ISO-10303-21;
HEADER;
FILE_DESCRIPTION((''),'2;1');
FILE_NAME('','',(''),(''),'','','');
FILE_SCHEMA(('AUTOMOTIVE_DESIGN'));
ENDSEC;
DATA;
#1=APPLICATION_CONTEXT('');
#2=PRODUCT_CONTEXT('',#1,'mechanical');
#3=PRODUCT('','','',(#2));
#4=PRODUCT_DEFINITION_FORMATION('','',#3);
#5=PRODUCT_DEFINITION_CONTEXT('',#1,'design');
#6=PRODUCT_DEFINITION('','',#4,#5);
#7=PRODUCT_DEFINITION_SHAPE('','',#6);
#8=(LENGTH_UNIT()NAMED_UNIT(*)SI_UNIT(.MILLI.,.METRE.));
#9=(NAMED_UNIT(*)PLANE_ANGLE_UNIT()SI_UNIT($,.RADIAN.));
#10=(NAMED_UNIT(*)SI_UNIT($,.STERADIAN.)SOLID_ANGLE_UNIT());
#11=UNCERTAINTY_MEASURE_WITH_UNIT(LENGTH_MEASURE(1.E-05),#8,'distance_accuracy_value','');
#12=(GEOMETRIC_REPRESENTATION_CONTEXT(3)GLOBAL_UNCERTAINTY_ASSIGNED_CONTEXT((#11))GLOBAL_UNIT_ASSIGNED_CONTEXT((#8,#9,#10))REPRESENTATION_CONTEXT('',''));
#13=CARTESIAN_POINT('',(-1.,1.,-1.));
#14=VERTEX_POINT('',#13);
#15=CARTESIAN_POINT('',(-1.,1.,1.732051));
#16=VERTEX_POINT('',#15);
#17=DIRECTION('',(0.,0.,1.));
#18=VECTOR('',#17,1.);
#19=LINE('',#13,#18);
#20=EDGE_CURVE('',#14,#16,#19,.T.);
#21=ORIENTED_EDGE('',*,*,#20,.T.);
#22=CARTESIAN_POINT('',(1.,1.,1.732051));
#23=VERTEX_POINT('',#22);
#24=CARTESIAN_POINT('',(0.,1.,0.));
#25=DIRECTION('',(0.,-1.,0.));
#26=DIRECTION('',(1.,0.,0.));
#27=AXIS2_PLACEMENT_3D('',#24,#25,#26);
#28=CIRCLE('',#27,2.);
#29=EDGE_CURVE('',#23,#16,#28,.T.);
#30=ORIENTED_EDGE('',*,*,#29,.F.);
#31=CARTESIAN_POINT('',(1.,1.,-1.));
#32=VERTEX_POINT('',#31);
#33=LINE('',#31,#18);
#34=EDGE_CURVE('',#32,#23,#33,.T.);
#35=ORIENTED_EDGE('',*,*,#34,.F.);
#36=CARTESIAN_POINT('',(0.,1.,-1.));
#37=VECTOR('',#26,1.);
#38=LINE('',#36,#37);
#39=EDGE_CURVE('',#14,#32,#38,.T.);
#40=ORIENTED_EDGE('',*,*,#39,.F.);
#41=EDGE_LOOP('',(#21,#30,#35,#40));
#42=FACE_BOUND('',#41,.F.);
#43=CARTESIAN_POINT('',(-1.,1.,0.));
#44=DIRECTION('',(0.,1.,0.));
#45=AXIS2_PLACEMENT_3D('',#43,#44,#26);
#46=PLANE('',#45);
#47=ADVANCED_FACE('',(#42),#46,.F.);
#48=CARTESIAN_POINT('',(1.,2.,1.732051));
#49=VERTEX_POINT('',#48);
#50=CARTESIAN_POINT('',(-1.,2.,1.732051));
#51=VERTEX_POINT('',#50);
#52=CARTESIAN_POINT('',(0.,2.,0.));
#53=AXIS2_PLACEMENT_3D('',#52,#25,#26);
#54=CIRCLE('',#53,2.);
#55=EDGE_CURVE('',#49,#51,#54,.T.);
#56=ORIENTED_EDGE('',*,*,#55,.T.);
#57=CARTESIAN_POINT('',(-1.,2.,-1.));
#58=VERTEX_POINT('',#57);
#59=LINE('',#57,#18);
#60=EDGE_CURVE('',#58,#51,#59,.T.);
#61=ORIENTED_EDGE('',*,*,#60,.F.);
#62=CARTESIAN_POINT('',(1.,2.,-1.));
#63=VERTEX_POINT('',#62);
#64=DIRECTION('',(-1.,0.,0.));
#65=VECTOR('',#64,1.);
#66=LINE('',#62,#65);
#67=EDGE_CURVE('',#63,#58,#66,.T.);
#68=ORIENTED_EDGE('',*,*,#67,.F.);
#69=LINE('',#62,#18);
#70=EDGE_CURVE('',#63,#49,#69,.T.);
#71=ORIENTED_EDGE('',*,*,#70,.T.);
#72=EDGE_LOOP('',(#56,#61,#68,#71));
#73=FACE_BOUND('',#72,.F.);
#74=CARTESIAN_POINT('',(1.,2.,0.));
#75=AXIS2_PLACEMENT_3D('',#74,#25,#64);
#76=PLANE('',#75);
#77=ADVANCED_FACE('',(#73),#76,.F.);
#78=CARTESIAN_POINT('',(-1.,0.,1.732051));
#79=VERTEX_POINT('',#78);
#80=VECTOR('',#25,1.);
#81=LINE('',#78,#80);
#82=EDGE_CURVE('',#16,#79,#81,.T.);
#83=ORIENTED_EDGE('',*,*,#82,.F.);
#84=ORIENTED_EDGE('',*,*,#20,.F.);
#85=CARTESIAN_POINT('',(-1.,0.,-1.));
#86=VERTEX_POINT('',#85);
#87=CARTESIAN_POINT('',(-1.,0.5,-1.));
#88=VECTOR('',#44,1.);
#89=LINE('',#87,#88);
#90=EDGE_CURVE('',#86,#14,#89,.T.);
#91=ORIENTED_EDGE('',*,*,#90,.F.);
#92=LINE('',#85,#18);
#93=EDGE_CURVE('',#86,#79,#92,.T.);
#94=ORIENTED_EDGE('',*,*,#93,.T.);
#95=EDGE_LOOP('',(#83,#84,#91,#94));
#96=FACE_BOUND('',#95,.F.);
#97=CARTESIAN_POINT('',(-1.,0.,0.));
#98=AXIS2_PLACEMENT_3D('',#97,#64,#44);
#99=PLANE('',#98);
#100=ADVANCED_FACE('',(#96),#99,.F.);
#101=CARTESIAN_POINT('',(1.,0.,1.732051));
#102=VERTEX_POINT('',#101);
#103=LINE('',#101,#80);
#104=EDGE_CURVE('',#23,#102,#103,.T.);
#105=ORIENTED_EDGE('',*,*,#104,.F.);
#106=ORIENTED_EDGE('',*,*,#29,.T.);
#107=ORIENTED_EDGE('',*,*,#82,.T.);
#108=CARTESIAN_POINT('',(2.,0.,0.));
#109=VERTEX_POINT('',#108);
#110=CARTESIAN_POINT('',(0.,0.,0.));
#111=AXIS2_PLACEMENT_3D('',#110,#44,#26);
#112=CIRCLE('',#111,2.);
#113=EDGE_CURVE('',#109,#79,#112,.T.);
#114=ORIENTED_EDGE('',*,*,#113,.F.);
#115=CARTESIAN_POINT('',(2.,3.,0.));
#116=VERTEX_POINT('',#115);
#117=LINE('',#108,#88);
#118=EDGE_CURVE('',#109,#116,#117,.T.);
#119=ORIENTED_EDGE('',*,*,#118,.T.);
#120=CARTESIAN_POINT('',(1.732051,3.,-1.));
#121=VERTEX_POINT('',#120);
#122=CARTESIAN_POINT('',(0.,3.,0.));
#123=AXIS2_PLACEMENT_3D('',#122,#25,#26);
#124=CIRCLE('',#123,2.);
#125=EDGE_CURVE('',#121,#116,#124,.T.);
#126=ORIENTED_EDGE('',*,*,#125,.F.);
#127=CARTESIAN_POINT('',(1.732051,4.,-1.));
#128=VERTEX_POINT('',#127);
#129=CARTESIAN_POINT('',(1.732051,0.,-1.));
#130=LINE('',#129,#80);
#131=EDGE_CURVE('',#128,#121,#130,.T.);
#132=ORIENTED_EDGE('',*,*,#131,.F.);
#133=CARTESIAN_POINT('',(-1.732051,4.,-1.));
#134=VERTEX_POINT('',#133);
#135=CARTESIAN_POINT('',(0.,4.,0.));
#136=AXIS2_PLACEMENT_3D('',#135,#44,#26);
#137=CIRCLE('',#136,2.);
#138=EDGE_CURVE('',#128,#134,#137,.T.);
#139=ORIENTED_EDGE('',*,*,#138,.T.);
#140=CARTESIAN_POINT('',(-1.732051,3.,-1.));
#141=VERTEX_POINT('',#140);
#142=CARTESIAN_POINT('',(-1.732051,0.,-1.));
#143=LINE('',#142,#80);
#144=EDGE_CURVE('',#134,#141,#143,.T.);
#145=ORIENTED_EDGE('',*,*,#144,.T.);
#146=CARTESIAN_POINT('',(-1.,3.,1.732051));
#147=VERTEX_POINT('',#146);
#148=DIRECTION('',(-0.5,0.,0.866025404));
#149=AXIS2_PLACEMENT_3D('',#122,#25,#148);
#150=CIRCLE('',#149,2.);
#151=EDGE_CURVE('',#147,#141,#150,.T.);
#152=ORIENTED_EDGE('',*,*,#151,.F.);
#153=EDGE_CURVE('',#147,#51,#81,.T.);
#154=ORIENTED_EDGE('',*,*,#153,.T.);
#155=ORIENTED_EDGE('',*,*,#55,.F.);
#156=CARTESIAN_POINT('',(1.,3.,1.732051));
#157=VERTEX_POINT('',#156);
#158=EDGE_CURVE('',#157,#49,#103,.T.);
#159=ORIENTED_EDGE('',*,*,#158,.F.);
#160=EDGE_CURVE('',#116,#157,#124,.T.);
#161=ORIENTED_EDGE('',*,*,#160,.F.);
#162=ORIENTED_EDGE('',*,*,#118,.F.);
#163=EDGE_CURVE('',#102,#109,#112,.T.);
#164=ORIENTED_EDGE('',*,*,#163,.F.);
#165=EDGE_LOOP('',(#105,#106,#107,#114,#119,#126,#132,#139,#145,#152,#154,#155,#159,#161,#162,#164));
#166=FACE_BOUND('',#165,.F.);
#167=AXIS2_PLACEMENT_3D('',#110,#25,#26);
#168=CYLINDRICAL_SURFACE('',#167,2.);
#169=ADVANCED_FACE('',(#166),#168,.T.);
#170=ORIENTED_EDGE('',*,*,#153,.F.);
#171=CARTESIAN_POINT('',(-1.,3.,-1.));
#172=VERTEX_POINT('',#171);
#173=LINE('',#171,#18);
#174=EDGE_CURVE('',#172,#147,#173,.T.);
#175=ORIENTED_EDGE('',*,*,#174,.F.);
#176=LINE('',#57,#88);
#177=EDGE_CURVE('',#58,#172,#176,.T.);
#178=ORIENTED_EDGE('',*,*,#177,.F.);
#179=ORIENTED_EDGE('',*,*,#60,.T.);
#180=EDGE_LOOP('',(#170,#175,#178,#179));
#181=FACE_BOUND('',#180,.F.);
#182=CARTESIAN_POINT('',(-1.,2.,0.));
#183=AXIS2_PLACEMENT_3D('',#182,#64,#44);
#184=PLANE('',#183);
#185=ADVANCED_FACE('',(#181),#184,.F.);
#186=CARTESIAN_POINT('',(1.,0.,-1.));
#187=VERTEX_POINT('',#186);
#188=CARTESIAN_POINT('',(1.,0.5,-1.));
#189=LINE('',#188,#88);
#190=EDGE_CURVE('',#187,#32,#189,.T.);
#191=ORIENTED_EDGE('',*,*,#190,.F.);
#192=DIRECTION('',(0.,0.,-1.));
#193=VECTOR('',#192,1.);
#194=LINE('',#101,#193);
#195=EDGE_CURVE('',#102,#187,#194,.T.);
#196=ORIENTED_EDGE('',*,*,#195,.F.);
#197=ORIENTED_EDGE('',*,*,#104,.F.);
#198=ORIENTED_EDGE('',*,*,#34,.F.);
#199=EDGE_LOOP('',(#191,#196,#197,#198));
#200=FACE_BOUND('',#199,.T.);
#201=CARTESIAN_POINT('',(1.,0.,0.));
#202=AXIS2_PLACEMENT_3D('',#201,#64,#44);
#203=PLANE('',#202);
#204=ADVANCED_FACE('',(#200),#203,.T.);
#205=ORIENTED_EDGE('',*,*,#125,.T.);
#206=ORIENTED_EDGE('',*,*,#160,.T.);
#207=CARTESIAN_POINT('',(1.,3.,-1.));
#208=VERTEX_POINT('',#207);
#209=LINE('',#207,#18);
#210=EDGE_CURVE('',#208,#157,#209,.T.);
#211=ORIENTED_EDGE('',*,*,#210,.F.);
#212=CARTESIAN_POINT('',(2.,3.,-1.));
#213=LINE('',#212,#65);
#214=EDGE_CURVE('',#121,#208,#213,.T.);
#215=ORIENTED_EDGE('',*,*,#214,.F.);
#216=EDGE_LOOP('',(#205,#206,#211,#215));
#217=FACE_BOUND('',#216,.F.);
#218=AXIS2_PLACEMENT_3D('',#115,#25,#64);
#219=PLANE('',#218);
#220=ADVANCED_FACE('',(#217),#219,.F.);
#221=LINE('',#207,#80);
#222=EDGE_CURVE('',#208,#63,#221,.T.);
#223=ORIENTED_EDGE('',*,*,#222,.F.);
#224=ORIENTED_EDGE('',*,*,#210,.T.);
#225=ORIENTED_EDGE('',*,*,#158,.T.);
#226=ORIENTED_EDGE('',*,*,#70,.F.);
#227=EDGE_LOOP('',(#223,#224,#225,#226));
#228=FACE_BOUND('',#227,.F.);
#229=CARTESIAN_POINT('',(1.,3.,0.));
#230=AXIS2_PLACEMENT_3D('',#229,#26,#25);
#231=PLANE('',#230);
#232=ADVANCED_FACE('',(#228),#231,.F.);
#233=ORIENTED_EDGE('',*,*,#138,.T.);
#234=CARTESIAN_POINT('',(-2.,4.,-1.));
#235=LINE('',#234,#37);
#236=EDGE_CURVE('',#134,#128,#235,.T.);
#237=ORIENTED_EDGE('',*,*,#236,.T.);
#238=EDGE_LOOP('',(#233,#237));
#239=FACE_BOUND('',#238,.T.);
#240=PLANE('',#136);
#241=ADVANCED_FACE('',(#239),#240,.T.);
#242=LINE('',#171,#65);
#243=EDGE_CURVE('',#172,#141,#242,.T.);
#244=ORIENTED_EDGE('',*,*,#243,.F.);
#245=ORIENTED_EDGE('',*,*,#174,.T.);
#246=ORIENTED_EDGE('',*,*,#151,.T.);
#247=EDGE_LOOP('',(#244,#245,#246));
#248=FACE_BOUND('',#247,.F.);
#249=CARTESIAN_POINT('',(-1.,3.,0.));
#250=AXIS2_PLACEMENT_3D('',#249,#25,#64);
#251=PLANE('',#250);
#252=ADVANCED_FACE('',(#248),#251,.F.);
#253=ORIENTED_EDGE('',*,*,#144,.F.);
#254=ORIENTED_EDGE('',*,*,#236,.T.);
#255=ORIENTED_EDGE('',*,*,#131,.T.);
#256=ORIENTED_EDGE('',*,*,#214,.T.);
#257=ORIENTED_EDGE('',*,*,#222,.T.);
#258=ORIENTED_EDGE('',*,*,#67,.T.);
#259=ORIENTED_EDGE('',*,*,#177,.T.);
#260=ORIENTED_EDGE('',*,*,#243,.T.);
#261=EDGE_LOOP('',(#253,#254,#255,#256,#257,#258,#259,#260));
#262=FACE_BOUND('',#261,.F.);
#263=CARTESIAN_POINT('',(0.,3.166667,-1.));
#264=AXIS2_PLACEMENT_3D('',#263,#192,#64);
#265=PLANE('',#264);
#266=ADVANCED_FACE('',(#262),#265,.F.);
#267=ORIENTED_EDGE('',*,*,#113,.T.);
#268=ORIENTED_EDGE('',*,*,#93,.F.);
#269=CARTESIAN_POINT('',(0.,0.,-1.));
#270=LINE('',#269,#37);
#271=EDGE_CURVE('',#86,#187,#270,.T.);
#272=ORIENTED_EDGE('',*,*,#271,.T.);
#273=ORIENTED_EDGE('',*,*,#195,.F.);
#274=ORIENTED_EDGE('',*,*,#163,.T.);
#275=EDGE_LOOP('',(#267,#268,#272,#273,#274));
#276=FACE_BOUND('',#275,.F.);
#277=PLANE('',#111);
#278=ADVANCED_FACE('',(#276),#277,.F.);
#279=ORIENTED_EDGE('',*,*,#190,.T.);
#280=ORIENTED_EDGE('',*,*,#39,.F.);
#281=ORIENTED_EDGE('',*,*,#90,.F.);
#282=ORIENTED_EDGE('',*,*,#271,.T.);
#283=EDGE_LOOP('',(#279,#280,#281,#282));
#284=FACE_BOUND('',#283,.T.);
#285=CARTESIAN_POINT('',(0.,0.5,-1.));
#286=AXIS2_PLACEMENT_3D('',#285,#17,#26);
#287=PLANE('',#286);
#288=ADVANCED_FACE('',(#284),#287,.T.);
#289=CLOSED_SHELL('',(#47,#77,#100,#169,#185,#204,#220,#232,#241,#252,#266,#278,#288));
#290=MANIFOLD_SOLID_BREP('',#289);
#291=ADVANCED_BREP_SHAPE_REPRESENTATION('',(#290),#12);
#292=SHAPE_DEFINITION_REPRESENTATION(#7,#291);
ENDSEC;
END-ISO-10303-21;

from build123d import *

# Parameters (mm, degrees)
SKETCH1_R               = 2
BOSS_EXTRUDE1_DEPTH     = 4
SKETCH2_W               = 2
SKETCH2_H               = 1
CUT_EXTRUDE1_DEPTH      = 3
CUT_EXTRUDE1_DEPTH_BACK = 1


with BuildPart() as part:
    # Sketch1 → Boss-Extrude1 (new body)
    with BuildSketch(Plane(origin=(0, 0, 0), x_dir=(1, 0, 0), z_dir=(0, 1, 0))):
        Circle(SKETCH1_R)
    extrude(amount=BOSS_EXTRUDE1_DEPTH)

    # Sketch2 → Cut-Extrude1 (cut, two sides)
    with BuildSketch(Plane.XY) as cut_extrude1_sk:
        Polygon((-2, 4), (2, 4), (2, 3), (1, 3), (1, 2), (-1, 2), (-1, 3), (-2, 3), align=None)
        with Locations((0, 0.5)):
            Rectangle(SKETCH2_W, SKETCH2_H)
    extrude(amount=CUT_EXTRUDE1_DEPTH, mode=Mode.SUBTRACT)
    extrude(cut_extrude1_sk.sketch, amount=-CUT_EXTRUDE1_DEPTH_BACK, mode=Mode.SUBTRACT)


solid = part.part
